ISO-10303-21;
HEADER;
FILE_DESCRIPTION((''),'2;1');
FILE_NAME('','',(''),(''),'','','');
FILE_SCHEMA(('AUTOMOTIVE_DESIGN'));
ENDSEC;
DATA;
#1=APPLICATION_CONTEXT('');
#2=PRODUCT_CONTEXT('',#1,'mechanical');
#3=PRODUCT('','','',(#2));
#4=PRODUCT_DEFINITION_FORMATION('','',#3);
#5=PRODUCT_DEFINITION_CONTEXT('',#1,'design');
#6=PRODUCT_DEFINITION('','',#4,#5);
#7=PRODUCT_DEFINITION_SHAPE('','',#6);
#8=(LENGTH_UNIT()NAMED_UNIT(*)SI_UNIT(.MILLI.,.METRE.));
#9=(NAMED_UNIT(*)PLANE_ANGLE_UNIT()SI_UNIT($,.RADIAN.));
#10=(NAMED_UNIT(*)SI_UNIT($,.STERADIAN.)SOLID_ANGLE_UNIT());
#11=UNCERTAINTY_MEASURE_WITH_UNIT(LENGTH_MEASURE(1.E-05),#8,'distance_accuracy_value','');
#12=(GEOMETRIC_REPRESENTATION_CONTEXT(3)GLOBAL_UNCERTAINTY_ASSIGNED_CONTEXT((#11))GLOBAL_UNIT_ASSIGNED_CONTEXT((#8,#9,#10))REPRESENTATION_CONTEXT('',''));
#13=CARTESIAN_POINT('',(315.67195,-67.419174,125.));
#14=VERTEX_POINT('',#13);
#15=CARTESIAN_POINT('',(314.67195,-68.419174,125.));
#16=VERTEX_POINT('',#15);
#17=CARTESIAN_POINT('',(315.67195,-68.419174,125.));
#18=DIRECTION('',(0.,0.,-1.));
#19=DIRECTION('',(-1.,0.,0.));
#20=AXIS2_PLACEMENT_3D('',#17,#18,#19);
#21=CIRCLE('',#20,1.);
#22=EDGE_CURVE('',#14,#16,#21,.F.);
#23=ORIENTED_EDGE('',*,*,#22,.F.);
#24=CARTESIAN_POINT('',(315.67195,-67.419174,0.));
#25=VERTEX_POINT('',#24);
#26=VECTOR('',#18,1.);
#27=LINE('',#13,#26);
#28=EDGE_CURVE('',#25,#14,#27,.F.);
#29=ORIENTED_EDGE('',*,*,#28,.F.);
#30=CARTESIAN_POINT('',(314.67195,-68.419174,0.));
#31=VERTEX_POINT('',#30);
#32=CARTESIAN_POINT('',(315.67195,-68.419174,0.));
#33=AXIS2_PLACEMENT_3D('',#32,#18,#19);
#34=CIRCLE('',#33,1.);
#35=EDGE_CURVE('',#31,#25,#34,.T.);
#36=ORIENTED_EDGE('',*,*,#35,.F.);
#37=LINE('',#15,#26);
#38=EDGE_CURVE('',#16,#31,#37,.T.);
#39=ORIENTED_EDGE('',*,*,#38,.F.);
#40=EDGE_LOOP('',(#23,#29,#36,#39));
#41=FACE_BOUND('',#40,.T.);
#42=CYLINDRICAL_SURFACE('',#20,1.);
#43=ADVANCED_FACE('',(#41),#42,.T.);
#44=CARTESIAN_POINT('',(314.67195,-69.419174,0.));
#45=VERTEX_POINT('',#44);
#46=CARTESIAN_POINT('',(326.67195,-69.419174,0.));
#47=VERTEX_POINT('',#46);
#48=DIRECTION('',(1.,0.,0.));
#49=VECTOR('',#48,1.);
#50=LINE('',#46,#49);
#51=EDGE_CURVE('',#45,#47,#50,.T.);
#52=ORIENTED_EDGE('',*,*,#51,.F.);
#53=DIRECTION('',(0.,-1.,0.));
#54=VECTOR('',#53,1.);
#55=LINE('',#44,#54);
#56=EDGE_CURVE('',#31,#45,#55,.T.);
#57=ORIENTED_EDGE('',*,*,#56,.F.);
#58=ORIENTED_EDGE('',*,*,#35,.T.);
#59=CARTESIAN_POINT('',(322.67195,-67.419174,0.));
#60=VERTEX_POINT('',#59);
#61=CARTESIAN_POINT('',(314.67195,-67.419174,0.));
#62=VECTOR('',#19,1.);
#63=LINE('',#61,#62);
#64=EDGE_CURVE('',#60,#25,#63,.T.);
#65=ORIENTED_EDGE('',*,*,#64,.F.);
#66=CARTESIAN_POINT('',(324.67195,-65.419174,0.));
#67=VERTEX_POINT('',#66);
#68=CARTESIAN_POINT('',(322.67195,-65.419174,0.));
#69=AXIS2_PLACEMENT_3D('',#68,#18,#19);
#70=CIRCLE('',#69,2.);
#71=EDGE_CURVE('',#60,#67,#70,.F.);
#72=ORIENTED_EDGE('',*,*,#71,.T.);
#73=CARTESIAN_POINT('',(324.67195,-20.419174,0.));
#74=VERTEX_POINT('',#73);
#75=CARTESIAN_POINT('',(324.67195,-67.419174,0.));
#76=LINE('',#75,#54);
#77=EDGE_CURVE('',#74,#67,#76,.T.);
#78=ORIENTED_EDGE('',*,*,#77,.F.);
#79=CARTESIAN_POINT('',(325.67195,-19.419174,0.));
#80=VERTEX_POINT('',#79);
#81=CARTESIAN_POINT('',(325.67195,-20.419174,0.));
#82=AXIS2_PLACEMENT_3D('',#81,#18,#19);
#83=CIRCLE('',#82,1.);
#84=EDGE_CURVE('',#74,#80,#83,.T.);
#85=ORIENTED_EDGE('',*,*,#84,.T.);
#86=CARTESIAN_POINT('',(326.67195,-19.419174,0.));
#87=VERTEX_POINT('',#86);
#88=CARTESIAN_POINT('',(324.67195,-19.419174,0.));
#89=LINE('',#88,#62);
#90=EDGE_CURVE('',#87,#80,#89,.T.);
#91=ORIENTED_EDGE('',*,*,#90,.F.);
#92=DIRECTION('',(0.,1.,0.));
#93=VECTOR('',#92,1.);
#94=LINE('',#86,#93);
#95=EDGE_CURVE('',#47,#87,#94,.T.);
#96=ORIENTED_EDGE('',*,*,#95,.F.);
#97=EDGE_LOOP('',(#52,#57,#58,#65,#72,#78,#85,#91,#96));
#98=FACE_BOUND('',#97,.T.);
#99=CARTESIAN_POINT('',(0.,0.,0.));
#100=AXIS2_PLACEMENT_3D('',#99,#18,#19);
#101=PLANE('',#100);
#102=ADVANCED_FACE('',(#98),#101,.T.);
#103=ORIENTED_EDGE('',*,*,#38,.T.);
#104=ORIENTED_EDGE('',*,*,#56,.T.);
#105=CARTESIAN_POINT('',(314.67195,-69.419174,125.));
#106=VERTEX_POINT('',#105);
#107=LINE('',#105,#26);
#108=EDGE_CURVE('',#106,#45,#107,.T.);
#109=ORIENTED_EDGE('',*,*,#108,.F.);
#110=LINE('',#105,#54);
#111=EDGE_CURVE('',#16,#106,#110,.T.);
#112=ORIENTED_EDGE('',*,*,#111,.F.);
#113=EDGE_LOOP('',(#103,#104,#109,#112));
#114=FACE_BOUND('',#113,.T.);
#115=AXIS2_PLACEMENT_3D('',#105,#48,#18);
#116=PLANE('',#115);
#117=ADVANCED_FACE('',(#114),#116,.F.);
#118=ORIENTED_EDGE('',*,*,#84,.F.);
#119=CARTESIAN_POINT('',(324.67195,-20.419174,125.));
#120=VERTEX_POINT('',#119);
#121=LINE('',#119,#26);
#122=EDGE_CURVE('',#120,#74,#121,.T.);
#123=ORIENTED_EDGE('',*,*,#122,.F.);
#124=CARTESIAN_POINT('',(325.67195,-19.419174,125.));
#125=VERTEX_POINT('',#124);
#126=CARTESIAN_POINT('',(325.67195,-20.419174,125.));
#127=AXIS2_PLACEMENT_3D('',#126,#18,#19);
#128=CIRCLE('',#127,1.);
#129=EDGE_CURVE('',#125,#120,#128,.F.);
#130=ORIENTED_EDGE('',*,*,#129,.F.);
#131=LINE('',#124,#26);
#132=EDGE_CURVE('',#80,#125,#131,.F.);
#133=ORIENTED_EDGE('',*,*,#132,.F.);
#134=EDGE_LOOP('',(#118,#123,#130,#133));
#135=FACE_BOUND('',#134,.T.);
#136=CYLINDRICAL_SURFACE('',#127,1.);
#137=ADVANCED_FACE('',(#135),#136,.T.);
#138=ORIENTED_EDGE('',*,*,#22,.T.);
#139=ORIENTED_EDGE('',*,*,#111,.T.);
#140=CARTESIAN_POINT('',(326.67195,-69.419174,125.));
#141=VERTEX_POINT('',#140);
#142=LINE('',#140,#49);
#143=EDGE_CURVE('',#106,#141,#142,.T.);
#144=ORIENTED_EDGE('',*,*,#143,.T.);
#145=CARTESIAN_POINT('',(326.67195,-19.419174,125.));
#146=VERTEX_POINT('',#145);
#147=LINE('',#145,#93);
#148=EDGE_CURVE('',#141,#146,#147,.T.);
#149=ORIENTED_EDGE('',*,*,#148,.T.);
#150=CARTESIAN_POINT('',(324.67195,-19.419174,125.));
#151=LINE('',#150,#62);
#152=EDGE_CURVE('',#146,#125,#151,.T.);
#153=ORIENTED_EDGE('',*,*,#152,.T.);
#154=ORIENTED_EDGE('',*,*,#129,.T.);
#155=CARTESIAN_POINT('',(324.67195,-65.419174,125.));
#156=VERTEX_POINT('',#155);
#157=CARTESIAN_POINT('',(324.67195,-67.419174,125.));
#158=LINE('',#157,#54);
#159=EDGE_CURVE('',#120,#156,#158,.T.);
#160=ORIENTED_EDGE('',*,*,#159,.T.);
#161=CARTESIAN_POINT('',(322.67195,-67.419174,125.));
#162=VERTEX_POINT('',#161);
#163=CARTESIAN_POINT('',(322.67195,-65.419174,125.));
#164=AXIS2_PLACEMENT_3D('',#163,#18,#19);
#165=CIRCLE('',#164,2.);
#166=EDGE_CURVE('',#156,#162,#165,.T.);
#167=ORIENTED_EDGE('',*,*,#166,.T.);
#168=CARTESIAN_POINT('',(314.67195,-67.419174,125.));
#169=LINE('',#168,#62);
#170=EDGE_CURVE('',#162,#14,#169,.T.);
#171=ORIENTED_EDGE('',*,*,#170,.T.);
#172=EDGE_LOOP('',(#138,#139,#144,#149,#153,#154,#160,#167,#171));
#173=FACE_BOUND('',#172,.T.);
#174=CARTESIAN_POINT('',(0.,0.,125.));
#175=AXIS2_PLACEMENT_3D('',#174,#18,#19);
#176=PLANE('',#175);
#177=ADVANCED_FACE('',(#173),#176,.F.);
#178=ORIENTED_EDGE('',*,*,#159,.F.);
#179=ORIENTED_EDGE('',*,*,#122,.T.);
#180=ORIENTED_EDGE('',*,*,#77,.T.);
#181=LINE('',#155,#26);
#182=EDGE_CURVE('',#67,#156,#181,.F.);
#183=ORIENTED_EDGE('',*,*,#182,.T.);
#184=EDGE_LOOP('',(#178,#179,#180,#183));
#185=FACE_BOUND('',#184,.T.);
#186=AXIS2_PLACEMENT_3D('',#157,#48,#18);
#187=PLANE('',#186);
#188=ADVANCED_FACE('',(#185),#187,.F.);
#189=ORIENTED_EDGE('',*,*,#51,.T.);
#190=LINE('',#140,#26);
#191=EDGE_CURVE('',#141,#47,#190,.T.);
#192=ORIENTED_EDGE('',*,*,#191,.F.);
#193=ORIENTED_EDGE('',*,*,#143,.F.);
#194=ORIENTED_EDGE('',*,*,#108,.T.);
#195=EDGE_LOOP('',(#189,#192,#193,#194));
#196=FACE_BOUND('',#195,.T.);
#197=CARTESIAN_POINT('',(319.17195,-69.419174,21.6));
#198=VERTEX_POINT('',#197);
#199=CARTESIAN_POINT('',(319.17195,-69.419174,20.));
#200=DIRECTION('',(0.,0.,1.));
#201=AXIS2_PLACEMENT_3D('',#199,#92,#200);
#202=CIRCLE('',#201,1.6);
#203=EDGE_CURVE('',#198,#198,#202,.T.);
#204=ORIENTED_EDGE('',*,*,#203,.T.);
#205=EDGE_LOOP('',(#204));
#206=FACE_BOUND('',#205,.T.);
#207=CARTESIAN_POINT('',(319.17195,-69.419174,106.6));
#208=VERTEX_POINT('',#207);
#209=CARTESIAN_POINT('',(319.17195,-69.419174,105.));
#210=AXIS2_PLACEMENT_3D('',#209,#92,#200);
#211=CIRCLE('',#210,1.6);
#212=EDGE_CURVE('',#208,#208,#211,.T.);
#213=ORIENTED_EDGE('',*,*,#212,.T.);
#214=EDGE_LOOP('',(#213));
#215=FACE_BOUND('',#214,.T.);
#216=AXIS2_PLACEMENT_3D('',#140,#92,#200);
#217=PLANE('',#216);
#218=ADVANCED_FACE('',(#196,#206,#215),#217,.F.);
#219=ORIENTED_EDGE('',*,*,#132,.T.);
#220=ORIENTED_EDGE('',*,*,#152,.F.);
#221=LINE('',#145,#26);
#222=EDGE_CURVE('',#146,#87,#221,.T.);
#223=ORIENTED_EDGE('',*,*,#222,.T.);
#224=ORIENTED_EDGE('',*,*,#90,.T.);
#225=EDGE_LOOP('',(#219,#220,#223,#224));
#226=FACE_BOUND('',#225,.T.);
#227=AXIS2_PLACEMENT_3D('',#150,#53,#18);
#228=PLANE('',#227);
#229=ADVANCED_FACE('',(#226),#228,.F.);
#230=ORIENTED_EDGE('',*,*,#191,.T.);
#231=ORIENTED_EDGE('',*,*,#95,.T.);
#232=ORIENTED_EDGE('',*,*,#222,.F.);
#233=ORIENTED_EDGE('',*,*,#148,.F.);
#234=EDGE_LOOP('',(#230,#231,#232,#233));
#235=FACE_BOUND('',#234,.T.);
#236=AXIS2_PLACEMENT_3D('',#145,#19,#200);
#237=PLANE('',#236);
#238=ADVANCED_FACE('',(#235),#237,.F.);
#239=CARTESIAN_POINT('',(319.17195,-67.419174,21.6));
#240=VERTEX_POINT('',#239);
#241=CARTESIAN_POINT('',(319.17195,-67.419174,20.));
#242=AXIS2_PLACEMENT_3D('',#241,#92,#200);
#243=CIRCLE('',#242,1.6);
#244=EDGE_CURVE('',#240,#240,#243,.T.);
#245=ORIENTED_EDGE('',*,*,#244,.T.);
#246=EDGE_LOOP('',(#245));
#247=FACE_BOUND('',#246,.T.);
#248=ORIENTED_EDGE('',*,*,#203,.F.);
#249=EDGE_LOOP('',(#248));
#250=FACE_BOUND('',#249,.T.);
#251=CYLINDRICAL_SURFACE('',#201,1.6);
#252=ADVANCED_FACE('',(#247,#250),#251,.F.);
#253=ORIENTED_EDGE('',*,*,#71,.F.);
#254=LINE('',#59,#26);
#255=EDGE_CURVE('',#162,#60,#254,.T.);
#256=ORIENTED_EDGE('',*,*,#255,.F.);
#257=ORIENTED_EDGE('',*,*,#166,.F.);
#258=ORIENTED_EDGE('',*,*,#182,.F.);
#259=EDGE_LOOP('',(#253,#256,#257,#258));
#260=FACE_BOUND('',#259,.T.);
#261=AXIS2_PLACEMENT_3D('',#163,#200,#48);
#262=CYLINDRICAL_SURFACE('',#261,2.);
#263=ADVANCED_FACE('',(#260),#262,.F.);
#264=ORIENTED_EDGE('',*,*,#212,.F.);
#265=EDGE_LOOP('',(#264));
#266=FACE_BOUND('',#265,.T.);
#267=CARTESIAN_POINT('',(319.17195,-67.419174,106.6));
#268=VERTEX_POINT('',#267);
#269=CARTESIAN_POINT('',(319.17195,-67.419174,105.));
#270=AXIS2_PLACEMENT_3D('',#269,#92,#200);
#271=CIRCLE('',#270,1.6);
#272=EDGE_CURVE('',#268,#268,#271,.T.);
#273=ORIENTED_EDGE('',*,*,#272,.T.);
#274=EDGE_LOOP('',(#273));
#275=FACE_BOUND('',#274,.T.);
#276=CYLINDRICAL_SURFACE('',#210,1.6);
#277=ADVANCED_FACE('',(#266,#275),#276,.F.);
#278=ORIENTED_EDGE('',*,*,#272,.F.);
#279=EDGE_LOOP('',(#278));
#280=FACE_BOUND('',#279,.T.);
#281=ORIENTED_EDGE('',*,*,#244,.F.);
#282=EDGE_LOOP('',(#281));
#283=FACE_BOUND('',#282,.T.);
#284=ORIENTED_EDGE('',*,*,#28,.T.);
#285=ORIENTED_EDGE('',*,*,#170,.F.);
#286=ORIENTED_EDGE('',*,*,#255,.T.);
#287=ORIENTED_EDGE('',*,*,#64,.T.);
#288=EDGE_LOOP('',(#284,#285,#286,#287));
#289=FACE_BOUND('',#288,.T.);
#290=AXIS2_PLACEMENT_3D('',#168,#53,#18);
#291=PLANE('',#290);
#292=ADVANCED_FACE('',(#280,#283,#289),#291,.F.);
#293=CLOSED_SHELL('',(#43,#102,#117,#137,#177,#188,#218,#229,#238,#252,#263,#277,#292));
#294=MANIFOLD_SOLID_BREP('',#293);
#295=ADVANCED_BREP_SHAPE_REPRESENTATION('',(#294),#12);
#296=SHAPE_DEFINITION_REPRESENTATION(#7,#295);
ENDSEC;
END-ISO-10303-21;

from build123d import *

# Parameters (mm, degrees)
BOSS_EXTRUDE1_DEPTH = 125
FILLET1_R           = 1
FILLET2_R           = 2
SKETCH2_R           = 1.6
CUT_EXTRUDE1_DEPTH  = 354.048952649


with BuildPart() as part:
    # Sketch1 → Boss-Extrude1 (new body)
    with BuildSketch(Plane.XY):
        Polygon((326.671950076, -19.419173914), (326.671950076, -69.419173914), (314.671950076, -69.419173914), (314.671950076, -67.419173914), (324.671950076, -67.419173914), (324.671950076, -19.419173914), align=None)
    extrude(amount=BOSS_EXTRUDE1_DEPTH)

    # Fillet1
    fillet1_edges = [part.edges().sort_by_distance(p)[0] for p in [
        (314.671950076, -67.419173914, 62.5),
        (324.671950076, -19.419173914, 62.5),
    ]]
    fillet(fillet1_edges, radius=FILLET1_R)

    # Fillet2
    fillet2_edges = [part.edges().sort_by_distance(p)[0] for p in [
        (324.671950076, -67.419173914, 62.5),
    ]]
    fillet(fillet2_edges, radius=FILLET2_R)

    # Sketch2 → Cut-Extrude1 (cut, through all)
    with BuildSketch(Plane(origin=(0, -67.419173914, 0), x_dir=(1, 0, 0), z_dir=(0, 1, 0))):
        with Locations(Location((319.171950076, -105, 0), (0, 0, 270))):
            Circle(SKETCH2_R)
        with Locations(Location((319.171950076, -20, 0), (0, 0, 270))):
            Circle(SKETCH2_R)
    extrude(amount=-CUT_EXTRUDE1_DEPTH, mode=Mode.SUBTRACT)


solid = part.part
